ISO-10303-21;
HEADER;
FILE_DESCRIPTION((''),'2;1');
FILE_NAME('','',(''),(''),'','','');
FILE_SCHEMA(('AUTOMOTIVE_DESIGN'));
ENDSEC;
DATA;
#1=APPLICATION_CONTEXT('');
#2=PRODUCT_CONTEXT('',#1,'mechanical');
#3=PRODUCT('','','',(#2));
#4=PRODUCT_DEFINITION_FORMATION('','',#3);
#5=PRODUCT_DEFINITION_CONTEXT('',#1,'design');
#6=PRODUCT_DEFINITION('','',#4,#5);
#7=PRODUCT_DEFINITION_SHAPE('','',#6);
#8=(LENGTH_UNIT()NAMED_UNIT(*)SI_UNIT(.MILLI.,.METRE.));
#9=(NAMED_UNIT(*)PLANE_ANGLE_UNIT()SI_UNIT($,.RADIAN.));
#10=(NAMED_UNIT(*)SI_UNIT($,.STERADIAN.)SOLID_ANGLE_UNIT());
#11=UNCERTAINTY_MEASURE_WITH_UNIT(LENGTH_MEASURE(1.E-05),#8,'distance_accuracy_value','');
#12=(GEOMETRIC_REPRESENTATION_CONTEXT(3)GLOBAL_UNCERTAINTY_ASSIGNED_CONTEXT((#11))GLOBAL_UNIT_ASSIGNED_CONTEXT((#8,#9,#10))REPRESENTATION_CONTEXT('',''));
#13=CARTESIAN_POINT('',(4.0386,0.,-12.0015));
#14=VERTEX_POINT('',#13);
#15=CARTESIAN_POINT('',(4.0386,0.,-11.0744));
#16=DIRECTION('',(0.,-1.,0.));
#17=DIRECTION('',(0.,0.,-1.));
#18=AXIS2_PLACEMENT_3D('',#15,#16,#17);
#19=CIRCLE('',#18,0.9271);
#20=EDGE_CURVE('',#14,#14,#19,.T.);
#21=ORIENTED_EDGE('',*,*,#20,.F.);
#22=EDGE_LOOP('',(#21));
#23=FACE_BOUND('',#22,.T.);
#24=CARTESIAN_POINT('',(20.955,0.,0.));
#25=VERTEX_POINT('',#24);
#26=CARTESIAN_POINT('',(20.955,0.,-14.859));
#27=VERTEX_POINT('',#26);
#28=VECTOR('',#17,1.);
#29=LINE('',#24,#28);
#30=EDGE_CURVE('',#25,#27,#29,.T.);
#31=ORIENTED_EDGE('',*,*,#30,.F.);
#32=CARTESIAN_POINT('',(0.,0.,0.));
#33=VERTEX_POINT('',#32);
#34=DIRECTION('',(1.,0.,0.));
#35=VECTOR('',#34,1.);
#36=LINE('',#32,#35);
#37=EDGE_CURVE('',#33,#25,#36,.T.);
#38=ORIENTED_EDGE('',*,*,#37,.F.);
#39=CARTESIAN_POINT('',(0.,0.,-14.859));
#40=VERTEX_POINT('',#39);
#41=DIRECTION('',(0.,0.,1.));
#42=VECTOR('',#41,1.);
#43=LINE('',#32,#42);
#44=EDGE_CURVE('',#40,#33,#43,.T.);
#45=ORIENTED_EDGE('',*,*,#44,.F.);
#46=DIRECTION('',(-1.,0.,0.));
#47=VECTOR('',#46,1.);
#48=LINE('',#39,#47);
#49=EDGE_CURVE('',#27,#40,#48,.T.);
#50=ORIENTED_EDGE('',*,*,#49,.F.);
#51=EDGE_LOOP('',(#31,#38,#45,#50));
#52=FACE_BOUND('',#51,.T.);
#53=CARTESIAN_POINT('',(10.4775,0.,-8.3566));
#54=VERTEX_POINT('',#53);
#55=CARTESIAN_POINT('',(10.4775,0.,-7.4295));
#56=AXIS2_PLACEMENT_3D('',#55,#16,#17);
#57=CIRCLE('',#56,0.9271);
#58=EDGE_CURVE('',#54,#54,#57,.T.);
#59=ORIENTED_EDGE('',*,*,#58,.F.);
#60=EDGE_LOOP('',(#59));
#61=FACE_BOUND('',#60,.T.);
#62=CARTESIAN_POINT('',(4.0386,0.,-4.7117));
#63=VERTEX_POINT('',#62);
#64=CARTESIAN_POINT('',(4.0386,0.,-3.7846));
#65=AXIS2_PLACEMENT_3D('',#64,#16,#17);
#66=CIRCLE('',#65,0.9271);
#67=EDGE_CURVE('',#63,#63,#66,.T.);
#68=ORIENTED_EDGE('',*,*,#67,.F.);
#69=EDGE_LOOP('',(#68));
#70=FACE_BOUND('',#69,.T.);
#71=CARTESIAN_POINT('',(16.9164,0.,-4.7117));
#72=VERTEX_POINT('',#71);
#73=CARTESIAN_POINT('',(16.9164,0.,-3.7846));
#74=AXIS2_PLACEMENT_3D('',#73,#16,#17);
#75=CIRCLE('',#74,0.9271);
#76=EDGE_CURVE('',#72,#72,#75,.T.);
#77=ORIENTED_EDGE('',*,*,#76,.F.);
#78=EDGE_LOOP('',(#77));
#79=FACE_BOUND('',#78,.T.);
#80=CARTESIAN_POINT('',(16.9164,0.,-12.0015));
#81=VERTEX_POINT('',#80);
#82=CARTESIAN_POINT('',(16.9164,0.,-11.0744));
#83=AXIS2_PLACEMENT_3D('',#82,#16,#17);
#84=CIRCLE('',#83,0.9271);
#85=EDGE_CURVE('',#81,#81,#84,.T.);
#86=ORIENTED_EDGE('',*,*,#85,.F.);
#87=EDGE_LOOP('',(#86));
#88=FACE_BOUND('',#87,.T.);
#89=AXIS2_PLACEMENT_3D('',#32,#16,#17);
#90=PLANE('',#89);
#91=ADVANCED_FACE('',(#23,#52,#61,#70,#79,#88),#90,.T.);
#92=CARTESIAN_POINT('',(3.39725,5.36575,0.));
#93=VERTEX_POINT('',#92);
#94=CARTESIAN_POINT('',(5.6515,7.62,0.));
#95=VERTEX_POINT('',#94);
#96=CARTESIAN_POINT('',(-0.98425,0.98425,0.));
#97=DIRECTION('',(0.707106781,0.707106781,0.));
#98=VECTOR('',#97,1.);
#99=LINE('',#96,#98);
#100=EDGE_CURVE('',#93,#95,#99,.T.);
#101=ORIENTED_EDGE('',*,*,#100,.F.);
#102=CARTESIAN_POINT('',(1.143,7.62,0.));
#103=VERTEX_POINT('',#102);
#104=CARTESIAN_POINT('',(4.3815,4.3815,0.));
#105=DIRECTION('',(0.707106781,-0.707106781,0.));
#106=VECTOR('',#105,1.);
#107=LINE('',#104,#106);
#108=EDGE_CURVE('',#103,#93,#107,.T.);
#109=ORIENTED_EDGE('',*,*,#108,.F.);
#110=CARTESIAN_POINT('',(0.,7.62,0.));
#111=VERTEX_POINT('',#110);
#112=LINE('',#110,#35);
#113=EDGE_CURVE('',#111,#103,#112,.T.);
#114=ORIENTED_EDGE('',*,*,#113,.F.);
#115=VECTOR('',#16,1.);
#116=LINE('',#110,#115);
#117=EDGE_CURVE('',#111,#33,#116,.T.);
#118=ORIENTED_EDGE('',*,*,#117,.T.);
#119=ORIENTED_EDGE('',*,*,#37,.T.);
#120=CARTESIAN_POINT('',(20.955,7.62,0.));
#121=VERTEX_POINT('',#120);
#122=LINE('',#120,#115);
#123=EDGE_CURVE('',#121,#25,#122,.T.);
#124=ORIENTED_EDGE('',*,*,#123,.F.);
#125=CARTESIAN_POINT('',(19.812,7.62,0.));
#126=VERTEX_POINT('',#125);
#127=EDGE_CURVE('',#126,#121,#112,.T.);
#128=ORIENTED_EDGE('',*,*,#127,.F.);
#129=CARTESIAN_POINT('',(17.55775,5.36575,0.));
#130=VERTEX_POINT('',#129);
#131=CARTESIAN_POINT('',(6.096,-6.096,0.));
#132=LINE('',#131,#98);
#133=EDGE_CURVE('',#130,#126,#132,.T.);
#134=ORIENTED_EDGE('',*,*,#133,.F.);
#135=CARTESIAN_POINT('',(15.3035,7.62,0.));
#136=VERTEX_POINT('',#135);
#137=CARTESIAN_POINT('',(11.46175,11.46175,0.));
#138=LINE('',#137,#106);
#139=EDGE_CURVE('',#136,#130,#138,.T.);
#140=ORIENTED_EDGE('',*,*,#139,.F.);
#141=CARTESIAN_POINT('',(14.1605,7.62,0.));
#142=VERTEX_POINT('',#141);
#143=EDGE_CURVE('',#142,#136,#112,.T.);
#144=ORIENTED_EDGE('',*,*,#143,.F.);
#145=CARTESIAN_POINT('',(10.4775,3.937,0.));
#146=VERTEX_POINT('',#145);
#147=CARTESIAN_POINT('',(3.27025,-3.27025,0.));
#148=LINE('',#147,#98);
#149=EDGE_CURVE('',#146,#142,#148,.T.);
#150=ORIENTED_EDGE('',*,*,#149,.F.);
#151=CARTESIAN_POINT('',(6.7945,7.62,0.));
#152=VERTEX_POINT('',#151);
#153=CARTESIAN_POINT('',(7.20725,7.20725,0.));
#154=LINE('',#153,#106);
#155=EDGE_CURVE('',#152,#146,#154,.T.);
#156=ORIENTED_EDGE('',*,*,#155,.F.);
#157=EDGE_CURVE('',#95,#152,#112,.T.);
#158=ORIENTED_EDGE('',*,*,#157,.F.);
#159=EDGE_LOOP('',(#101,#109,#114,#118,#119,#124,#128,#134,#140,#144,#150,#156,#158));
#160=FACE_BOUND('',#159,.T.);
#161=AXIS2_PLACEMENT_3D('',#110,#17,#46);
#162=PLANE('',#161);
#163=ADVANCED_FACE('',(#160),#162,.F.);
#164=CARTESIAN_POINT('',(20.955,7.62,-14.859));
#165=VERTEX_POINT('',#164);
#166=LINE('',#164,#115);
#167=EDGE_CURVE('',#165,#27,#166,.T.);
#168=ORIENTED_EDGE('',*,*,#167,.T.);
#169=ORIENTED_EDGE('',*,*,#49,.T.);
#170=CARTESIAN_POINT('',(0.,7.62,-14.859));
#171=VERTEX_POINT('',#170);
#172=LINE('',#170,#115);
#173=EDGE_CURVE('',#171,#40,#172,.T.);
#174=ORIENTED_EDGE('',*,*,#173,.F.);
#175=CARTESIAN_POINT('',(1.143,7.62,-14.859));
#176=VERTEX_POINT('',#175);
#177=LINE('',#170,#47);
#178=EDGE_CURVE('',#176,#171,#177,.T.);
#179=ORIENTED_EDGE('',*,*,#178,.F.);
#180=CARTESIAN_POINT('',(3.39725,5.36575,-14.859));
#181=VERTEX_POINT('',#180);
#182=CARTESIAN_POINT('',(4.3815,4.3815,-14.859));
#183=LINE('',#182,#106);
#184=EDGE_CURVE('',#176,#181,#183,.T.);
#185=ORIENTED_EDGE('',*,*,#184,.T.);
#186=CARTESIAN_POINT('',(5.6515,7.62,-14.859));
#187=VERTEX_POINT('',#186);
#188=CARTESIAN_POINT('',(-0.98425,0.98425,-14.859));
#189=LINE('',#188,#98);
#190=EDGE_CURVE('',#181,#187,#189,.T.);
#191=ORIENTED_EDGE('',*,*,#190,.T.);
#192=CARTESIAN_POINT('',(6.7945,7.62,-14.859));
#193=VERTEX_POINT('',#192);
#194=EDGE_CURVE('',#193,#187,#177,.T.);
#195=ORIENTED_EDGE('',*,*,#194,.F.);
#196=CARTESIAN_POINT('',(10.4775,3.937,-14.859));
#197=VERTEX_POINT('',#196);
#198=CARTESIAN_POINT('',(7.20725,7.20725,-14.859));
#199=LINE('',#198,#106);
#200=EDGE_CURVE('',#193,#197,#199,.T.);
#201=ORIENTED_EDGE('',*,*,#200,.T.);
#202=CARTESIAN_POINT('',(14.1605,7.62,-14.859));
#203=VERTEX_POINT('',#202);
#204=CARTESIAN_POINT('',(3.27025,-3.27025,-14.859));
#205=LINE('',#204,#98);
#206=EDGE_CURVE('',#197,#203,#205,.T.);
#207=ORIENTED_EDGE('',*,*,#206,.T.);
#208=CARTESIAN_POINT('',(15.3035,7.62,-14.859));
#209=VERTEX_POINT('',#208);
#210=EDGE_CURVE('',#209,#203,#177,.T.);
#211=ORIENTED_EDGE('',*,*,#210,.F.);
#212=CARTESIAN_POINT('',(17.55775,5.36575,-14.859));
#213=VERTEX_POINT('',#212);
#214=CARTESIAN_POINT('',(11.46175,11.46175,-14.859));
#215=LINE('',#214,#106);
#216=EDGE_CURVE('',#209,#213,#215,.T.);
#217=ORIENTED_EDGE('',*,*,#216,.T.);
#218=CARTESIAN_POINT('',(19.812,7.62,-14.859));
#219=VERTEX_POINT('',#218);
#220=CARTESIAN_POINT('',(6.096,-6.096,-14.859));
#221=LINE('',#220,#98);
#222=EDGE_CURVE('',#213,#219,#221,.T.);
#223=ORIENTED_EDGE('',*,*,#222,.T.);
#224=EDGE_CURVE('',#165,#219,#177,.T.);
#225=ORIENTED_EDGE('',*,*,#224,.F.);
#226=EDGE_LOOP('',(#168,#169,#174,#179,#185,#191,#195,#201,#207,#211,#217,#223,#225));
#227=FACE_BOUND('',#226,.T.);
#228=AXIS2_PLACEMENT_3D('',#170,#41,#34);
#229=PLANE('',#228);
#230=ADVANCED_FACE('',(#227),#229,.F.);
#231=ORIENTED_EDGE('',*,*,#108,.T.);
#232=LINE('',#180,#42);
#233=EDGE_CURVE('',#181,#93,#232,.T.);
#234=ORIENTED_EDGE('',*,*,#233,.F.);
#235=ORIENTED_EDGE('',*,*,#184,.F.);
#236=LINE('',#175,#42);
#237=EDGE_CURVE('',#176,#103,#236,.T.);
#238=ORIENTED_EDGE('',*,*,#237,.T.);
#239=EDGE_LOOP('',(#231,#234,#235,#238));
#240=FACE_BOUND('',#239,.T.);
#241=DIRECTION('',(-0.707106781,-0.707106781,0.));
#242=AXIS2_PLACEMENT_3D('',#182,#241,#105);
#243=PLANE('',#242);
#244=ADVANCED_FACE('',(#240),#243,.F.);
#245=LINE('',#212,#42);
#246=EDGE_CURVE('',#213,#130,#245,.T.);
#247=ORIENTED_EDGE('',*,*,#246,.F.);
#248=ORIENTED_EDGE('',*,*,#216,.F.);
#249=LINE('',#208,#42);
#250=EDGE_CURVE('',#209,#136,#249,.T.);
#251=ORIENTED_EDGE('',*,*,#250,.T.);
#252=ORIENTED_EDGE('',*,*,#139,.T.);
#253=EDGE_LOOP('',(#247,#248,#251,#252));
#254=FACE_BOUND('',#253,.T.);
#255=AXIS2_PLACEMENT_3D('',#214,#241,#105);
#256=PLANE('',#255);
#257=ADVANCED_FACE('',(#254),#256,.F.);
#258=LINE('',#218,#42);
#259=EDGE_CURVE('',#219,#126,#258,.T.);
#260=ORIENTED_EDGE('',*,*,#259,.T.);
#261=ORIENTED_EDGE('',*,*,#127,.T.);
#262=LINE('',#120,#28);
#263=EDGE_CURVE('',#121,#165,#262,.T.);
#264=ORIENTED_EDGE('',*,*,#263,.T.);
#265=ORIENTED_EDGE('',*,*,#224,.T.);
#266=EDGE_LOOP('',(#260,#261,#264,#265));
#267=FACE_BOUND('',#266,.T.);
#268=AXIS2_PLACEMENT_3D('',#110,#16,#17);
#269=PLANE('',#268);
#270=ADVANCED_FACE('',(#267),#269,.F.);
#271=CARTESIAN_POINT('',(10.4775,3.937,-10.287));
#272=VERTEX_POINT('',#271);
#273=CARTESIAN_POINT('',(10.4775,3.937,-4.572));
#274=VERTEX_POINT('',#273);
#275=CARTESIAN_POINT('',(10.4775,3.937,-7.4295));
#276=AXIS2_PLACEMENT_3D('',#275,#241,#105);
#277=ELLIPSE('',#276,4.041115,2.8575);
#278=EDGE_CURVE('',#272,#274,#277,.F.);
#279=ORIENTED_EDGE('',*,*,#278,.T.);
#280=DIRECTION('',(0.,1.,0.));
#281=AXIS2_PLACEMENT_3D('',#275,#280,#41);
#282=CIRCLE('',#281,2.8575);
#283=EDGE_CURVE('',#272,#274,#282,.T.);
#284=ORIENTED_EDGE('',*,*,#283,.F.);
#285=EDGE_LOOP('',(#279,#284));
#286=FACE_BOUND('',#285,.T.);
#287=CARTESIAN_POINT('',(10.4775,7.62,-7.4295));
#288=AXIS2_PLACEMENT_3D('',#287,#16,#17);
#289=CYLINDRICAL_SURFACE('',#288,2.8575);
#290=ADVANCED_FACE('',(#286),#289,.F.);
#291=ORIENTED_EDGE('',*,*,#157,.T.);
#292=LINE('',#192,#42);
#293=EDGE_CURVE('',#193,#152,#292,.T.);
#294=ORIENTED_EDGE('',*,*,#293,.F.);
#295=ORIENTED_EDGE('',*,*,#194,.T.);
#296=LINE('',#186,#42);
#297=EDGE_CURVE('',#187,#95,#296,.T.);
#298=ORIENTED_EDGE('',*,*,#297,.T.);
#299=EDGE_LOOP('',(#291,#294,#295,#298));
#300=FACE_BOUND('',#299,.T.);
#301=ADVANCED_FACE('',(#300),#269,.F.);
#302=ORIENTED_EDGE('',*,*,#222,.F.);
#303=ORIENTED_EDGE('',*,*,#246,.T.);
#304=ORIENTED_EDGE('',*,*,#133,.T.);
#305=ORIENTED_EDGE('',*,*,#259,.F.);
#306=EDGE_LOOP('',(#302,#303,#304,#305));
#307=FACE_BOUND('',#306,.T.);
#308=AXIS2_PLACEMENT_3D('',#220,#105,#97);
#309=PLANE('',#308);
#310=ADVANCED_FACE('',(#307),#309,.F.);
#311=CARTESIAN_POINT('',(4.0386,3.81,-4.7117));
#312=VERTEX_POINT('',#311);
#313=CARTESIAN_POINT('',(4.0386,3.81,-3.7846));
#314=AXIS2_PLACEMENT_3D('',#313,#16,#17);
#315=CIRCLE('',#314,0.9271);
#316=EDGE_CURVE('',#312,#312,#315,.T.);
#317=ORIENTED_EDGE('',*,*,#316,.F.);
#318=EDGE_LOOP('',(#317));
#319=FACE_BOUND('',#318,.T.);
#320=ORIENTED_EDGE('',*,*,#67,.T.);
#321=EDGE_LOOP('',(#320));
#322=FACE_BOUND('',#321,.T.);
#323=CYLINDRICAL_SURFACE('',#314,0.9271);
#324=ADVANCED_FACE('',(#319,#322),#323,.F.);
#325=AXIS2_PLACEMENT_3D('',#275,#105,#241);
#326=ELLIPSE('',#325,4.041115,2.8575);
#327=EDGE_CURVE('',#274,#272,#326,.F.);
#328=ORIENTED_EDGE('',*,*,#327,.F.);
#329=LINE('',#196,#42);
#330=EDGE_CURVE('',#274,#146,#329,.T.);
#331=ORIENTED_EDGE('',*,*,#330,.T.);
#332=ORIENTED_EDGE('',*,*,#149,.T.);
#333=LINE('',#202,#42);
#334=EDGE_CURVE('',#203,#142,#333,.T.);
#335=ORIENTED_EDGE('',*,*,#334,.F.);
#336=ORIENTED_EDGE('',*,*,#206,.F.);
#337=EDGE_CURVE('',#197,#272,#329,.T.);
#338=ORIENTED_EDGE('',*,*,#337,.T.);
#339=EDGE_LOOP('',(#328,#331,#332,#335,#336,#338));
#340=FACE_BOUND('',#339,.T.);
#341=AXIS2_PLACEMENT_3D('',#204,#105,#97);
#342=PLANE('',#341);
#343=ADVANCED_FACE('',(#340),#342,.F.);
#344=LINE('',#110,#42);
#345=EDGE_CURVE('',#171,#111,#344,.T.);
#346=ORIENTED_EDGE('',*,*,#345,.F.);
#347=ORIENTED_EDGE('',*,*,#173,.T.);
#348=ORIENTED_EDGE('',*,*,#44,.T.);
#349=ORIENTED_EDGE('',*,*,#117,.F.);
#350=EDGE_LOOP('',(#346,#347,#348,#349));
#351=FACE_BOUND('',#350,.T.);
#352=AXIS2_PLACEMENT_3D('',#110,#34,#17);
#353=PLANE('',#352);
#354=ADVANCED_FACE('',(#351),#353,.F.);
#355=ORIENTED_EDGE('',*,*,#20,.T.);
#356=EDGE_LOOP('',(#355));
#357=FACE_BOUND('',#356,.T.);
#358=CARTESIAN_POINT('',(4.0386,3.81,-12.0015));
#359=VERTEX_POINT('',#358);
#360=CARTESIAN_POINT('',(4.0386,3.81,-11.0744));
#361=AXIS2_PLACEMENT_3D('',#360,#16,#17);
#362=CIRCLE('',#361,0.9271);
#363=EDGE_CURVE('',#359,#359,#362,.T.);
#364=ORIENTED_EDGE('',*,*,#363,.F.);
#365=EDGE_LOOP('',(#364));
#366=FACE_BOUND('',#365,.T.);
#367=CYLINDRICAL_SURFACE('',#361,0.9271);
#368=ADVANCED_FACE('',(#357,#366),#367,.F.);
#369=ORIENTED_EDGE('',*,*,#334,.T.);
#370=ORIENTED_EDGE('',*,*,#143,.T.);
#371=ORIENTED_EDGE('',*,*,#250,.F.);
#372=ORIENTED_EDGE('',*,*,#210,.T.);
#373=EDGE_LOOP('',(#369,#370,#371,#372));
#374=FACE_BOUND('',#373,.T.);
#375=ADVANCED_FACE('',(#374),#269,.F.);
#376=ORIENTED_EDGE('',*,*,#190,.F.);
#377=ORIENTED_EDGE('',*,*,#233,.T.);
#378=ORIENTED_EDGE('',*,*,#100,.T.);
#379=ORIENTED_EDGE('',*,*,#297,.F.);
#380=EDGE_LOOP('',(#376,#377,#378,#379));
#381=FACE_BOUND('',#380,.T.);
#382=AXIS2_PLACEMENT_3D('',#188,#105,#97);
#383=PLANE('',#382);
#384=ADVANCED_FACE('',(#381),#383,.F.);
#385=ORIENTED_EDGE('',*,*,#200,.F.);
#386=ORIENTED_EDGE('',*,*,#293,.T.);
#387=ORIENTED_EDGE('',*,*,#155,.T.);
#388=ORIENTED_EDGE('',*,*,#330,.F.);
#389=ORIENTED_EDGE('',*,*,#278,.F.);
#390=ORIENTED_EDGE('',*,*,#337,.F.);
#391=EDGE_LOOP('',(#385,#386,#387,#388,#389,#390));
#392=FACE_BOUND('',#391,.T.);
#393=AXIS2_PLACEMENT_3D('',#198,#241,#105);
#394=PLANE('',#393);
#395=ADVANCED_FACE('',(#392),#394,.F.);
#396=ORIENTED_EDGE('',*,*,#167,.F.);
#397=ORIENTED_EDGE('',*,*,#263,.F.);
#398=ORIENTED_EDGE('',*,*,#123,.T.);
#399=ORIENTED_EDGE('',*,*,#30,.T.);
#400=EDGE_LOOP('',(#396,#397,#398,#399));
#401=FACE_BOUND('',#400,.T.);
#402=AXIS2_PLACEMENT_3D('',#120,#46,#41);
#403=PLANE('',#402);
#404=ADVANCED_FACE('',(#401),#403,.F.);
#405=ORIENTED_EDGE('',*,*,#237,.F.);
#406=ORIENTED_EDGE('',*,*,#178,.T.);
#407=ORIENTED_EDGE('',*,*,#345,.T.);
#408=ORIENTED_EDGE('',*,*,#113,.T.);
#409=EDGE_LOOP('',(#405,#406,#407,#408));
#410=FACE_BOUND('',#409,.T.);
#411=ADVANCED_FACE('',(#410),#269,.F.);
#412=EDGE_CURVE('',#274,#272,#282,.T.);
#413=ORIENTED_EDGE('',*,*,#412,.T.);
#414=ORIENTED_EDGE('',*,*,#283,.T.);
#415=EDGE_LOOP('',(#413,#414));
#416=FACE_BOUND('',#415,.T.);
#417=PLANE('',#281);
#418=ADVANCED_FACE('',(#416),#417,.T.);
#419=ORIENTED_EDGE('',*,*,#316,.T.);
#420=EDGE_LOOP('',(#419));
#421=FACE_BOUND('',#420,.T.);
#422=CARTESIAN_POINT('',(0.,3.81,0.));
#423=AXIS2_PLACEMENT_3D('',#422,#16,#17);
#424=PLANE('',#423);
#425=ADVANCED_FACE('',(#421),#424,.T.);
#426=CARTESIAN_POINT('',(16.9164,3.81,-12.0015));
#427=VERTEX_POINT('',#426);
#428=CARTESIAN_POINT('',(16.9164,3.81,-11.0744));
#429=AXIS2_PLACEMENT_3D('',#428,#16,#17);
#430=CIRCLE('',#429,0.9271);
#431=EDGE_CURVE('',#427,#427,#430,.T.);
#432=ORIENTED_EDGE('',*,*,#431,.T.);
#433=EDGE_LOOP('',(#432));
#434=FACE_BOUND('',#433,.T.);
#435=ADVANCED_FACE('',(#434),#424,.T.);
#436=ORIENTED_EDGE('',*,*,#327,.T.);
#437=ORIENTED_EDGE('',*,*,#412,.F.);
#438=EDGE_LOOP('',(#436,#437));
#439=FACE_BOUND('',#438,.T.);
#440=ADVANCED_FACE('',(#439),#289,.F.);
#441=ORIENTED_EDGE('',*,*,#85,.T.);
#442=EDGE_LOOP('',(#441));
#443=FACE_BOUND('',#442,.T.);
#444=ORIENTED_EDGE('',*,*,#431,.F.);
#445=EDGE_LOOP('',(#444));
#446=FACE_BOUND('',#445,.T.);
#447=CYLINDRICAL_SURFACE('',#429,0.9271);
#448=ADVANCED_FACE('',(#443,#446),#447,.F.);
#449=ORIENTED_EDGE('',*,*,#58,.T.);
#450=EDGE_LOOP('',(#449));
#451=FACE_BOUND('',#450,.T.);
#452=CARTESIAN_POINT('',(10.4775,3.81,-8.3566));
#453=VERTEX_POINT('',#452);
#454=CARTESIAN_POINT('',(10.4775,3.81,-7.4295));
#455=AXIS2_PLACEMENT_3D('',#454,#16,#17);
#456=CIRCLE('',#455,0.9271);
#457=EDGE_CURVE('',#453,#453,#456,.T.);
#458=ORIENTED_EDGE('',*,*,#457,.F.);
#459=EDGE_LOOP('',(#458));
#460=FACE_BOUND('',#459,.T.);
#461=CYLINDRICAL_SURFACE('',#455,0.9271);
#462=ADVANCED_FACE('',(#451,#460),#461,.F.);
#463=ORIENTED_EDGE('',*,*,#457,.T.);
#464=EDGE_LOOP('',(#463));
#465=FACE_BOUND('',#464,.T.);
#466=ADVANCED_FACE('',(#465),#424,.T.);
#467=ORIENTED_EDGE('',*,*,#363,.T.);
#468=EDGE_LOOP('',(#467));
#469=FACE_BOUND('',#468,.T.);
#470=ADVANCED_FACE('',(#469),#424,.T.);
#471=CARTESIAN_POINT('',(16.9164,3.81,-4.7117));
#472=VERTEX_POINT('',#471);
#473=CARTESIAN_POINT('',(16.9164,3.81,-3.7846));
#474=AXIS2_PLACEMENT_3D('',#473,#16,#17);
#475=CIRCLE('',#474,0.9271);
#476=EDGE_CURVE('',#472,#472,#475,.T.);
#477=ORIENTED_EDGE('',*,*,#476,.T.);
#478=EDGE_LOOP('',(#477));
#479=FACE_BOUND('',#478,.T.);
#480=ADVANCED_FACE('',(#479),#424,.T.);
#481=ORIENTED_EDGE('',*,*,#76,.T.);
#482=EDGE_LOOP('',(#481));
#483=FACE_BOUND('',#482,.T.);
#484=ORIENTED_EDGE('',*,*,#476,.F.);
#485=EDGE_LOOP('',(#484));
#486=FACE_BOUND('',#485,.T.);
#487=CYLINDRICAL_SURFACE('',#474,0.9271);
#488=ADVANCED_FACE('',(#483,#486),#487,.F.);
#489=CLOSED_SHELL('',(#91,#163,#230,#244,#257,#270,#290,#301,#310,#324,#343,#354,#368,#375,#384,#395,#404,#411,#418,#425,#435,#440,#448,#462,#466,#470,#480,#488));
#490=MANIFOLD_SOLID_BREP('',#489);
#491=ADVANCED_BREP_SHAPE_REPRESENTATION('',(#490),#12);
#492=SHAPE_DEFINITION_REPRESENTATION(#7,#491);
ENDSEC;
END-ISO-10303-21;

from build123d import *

# Parameters (mm, degrees)
SKETCH1_W           = 20.955
SKETCH1_H           = 14.859
BOSS_EXTRUDE1_DEPTH = 7.62
CUT_EXTRUDE1_DEPTH  = 15.859
SKETCH3_R           = 2.8575
CUT_EXTRUDE2_DEPTH  = 4.683
SKETCH4_R           = 0.9271
CUT_EXTRUDE3_DEPTH  = 3.81


with BuildPart() as part:
    # Sketch1 → Boss-Extrude1 (new body)
    with BuildSketch(Plane(origin=(0, 0, 0), x_dir=(1, 0, 0), z_dir=(0, 1, 0))):
        with Locations((10.4775, 7.4295)):
            Rectangle(SKETCH1_W, SKETCH1_H)
    extrude(amount=BOSS_EXTRUDE1_DEPTH)

    # Sketch2 → Cut-Extrude1 (cut, through all)
    with BuildSketch(Plane.XY):
        Polygon((5.6515, 7.62), (1.143, 7.62), (3.39725, 5.36575), align=None)
        Polygon((14.1605, 7.62), (6.7945, 7.62), (10.4775, 3.937), align=None)
        Polygon((19.812, 7.62), (15.3035, 7.62), (17.55775, 5.36575), align=None)
    extrude(amount=-CUT_EXTRUDE1_DEPTH, mode=Mode.SUBTRACT)

    # Sketch3 → Cut-Extrude2 (cut, through all)
    with BuildSketch(Plane(origin=(0, 3.937, 0), x_dir=(1, 0, 0), z_dir=(0, 1, 0))):
        with Locations((10.4775, 7.4295)):
            Circle(SKETCH3_R)
    extrude(amount=CUT_EXTRUDE2_DEPTH, mode=Mode.SUBTRACT)

    # Sketch4 → Cut-Extrude3 (cut)
    with BuildSketch(Plane.XZ):
        with Locations((4.0386, -3.7846)):
            Circle(SKETCH4_R)
        with Locations((4.0386, -11.0744)):
            Circle(SKETCH4_R)
        with Locations((10.4775, -7.4295)):
            Circle(SKETCH4_R)
        with Locations((16.9164, -11.0744)):
            Circle(SKETCH4_R)
        with Locations((16.9164, -3.7846)):
            Circle(SKETCH4_R)
    extrude(amount=-CUT_EXTRUDE3_DEPTH, mode=Mode.SUBTRACT)


solid = part.part
